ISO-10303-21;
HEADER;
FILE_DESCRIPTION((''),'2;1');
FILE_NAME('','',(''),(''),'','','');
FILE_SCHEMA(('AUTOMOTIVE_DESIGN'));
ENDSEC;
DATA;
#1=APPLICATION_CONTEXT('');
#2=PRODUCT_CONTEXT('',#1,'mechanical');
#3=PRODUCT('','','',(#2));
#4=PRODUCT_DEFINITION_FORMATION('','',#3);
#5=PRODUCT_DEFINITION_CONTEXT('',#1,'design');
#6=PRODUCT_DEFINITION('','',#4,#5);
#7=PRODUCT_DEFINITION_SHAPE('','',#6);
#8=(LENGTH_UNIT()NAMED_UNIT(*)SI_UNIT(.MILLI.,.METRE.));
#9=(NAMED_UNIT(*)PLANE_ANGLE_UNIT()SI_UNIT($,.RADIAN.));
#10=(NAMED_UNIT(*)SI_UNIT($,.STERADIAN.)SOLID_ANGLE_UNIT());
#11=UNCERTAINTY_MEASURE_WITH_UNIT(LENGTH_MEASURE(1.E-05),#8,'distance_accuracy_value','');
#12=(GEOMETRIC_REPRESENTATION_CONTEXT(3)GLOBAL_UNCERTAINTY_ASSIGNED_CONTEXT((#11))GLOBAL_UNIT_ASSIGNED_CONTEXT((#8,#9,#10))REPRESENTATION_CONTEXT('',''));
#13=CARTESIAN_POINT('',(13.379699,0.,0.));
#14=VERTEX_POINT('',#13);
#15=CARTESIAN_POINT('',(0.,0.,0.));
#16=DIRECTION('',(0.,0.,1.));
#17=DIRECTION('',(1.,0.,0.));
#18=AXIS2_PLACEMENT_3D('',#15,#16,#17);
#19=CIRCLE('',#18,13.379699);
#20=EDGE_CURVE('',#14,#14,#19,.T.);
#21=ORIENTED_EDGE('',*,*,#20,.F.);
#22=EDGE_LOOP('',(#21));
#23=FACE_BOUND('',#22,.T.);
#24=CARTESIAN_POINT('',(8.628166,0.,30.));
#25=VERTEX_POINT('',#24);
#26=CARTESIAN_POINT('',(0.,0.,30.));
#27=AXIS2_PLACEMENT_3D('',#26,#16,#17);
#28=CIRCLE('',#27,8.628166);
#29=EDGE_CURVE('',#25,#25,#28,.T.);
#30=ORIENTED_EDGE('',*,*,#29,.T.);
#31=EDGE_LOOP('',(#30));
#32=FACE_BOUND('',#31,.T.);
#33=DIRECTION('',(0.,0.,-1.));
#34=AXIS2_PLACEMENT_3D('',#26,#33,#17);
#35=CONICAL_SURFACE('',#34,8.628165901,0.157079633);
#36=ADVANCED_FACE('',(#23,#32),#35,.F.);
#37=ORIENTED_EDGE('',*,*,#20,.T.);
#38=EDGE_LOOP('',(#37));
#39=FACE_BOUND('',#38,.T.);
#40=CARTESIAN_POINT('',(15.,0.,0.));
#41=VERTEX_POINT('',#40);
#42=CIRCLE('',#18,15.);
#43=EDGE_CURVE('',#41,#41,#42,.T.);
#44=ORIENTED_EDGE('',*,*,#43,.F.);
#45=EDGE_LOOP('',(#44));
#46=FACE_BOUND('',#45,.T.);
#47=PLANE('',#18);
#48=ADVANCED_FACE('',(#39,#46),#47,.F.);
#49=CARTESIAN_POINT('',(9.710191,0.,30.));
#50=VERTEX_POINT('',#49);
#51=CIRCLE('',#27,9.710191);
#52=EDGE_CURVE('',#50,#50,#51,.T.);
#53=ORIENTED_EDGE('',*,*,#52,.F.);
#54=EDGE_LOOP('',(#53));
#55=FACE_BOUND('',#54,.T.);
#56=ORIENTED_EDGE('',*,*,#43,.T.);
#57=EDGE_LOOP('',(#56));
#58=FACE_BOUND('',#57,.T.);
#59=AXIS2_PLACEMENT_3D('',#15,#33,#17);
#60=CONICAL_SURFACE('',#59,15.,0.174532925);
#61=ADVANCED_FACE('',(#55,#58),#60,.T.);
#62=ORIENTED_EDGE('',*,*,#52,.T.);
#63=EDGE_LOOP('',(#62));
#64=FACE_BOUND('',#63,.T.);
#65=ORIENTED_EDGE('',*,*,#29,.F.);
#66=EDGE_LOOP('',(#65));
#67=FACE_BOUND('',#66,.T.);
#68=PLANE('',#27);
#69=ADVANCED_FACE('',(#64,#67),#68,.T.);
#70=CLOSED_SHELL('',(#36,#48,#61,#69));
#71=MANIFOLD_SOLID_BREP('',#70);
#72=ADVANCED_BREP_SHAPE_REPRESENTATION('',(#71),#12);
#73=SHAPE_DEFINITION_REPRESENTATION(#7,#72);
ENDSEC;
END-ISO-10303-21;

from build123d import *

# Parameters (mm, degrees)
SKETCH2_R           = 15
BOSS_EXTRUDE1_DEPTH = 30
BOSS_EXTRUDE1_TAPER = 10
SKETCH3_R           = 8.628165901
CUT_EXTRUDE1_DEPTH  = 30
CUT_EXTRUDE1_TAPER  = -9


with BuildPart() as part:
    # Sketch2 → Boss-Extrude1 (new body)
    with BuildSketch(Plane.XY):
        Circle(SKETCH2_R)
    extrude(amount=BOSS_EXTRUDE1_DEPTH, taper=BOSS_EXTRUDE1_TAPER)

    # Sketch3 → Cut-Extrude1 (cut)
    with BuildSketch(Plane.XY.offset(30)):
        Circle(SKETCH3_R)
    extrude(amount=-CUT_EXTRUDE1_DEPTH, taper=CUT_EXTRUDE1_TAPER, mode=Mode.SUBTRACT)


solid = part.part
